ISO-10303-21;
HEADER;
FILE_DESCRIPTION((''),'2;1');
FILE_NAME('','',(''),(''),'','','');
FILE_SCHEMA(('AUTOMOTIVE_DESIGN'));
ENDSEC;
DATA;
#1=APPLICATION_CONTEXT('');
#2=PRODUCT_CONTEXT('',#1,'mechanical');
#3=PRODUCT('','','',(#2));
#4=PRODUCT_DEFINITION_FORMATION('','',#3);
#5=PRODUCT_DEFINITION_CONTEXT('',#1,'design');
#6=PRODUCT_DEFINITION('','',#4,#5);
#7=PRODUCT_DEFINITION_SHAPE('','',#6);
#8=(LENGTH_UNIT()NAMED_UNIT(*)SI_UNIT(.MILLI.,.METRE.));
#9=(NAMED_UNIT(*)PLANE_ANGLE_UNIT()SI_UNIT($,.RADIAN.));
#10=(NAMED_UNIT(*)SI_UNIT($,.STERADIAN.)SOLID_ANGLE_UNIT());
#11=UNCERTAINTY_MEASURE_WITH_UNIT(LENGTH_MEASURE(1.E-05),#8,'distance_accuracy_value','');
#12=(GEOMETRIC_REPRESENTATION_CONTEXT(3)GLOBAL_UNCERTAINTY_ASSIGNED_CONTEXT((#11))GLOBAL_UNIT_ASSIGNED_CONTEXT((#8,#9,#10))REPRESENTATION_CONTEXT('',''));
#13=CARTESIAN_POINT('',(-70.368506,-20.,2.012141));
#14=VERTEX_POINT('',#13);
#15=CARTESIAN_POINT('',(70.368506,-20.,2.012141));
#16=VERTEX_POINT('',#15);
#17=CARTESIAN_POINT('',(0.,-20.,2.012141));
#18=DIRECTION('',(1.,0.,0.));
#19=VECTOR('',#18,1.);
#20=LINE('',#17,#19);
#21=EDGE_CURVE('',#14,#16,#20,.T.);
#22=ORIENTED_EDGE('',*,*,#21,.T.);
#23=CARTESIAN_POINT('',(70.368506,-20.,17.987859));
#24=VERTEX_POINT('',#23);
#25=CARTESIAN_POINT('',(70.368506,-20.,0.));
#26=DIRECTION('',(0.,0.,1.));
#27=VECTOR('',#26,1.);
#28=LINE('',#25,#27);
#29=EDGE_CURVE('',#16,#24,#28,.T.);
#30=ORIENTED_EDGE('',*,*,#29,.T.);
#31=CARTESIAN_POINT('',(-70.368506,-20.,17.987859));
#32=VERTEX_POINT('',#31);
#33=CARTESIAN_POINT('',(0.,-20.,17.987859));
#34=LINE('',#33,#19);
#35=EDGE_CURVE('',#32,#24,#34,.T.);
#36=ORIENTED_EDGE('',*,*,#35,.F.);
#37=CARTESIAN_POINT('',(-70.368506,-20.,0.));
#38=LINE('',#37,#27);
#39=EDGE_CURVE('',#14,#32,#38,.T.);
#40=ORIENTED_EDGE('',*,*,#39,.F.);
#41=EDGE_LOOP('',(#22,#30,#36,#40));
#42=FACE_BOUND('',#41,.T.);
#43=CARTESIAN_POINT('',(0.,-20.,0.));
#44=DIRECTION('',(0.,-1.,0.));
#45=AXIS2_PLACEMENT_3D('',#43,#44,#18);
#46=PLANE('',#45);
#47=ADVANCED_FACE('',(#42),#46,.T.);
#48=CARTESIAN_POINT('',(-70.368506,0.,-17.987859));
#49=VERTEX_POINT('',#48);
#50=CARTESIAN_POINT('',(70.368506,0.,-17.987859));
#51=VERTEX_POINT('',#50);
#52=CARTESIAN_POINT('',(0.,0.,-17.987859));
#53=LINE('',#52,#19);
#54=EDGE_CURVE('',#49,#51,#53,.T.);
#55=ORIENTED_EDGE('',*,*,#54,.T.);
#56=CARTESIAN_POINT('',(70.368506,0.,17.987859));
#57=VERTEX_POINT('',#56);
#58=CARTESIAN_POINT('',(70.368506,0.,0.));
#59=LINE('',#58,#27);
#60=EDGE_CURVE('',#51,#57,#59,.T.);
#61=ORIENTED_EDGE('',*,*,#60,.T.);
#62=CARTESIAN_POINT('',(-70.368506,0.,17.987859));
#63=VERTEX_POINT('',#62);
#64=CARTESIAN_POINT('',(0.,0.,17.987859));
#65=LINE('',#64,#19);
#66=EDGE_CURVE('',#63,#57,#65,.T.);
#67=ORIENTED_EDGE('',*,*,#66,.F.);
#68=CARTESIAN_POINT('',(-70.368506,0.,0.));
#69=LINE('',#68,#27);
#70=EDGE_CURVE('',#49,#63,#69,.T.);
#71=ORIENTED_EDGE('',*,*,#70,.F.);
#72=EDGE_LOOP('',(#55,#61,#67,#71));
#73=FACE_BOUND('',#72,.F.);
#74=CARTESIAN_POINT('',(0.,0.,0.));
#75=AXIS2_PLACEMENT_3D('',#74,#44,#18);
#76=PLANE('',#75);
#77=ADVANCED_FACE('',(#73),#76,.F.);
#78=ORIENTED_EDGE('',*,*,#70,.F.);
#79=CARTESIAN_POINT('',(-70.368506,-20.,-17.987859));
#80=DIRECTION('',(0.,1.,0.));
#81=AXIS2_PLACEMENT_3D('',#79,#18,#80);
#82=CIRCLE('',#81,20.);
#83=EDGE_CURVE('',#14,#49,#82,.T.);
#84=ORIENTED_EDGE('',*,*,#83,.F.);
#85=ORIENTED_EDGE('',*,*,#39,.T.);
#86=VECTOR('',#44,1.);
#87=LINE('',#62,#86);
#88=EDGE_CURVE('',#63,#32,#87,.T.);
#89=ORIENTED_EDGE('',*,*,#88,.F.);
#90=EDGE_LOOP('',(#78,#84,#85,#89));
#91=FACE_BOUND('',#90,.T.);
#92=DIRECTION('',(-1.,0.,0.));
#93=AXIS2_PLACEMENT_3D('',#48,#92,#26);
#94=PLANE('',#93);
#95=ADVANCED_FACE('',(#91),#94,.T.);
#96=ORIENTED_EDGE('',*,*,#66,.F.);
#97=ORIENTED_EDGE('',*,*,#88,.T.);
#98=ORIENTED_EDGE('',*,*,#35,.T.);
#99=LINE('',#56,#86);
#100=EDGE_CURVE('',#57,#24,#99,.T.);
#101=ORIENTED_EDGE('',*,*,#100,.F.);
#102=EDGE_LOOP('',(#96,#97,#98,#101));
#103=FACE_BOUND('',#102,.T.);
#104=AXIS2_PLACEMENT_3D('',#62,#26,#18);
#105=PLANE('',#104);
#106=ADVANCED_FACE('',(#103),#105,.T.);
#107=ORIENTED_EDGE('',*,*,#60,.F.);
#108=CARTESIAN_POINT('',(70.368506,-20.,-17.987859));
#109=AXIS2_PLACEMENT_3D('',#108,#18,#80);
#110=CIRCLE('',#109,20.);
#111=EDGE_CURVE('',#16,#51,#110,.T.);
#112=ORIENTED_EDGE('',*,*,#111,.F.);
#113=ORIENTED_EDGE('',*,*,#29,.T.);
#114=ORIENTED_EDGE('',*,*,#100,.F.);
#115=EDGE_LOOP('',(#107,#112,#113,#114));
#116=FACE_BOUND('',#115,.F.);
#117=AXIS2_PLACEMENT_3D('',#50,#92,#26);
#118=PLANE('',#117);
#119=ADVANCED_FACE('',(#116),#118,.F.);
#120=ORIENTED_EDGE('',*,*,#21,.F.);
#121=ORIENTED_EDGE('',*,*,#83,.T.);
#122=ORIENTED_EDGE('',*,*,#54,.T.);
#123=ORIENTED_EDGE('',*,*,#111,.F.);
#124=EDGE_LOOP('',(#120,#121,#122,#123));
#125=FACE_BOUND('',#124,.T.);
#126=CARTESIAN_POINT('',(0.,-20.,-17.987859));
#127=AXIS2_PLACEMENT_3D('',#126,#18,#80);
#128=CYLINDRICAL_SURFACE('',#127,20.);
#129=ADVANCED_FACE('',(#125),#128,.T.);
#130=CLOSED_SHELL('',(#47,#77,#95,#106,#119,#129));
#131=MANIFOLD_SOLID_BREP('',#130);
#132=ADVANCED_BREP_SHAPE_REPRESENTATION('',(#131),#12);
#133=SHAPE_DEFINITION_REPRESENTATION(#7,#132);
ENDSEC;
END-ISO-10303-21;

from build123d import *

# Parameters (mm, degrees)
F0_W      = 140.737012
F0_H      = 35.975718
F1_DEPTH  = 20
F1_FACE_W = 140.737012
F1_FACE_H = 20


with BuildPart() as f1:
    # F0 (on Front) → F1 (new body)
    with BuildSketch(Plane.XZ):
        Rectangle(F0_W, F0_H)
    extrude(amount=F1_DEPTH)

    # F1_face (on face) → F2 (revolve)
    with BuildSketch(Plane(origin=(0, -10, -17.987859), x_dir=(1, 0, 0), z_dir=(0, 0, -1))):
        Rectangle(F1_FACE_W, F1_FACE_H)
    revolve(axis=Axis((0, -20, -17.987859), (1, 0, 0)))


solid = f1.part
